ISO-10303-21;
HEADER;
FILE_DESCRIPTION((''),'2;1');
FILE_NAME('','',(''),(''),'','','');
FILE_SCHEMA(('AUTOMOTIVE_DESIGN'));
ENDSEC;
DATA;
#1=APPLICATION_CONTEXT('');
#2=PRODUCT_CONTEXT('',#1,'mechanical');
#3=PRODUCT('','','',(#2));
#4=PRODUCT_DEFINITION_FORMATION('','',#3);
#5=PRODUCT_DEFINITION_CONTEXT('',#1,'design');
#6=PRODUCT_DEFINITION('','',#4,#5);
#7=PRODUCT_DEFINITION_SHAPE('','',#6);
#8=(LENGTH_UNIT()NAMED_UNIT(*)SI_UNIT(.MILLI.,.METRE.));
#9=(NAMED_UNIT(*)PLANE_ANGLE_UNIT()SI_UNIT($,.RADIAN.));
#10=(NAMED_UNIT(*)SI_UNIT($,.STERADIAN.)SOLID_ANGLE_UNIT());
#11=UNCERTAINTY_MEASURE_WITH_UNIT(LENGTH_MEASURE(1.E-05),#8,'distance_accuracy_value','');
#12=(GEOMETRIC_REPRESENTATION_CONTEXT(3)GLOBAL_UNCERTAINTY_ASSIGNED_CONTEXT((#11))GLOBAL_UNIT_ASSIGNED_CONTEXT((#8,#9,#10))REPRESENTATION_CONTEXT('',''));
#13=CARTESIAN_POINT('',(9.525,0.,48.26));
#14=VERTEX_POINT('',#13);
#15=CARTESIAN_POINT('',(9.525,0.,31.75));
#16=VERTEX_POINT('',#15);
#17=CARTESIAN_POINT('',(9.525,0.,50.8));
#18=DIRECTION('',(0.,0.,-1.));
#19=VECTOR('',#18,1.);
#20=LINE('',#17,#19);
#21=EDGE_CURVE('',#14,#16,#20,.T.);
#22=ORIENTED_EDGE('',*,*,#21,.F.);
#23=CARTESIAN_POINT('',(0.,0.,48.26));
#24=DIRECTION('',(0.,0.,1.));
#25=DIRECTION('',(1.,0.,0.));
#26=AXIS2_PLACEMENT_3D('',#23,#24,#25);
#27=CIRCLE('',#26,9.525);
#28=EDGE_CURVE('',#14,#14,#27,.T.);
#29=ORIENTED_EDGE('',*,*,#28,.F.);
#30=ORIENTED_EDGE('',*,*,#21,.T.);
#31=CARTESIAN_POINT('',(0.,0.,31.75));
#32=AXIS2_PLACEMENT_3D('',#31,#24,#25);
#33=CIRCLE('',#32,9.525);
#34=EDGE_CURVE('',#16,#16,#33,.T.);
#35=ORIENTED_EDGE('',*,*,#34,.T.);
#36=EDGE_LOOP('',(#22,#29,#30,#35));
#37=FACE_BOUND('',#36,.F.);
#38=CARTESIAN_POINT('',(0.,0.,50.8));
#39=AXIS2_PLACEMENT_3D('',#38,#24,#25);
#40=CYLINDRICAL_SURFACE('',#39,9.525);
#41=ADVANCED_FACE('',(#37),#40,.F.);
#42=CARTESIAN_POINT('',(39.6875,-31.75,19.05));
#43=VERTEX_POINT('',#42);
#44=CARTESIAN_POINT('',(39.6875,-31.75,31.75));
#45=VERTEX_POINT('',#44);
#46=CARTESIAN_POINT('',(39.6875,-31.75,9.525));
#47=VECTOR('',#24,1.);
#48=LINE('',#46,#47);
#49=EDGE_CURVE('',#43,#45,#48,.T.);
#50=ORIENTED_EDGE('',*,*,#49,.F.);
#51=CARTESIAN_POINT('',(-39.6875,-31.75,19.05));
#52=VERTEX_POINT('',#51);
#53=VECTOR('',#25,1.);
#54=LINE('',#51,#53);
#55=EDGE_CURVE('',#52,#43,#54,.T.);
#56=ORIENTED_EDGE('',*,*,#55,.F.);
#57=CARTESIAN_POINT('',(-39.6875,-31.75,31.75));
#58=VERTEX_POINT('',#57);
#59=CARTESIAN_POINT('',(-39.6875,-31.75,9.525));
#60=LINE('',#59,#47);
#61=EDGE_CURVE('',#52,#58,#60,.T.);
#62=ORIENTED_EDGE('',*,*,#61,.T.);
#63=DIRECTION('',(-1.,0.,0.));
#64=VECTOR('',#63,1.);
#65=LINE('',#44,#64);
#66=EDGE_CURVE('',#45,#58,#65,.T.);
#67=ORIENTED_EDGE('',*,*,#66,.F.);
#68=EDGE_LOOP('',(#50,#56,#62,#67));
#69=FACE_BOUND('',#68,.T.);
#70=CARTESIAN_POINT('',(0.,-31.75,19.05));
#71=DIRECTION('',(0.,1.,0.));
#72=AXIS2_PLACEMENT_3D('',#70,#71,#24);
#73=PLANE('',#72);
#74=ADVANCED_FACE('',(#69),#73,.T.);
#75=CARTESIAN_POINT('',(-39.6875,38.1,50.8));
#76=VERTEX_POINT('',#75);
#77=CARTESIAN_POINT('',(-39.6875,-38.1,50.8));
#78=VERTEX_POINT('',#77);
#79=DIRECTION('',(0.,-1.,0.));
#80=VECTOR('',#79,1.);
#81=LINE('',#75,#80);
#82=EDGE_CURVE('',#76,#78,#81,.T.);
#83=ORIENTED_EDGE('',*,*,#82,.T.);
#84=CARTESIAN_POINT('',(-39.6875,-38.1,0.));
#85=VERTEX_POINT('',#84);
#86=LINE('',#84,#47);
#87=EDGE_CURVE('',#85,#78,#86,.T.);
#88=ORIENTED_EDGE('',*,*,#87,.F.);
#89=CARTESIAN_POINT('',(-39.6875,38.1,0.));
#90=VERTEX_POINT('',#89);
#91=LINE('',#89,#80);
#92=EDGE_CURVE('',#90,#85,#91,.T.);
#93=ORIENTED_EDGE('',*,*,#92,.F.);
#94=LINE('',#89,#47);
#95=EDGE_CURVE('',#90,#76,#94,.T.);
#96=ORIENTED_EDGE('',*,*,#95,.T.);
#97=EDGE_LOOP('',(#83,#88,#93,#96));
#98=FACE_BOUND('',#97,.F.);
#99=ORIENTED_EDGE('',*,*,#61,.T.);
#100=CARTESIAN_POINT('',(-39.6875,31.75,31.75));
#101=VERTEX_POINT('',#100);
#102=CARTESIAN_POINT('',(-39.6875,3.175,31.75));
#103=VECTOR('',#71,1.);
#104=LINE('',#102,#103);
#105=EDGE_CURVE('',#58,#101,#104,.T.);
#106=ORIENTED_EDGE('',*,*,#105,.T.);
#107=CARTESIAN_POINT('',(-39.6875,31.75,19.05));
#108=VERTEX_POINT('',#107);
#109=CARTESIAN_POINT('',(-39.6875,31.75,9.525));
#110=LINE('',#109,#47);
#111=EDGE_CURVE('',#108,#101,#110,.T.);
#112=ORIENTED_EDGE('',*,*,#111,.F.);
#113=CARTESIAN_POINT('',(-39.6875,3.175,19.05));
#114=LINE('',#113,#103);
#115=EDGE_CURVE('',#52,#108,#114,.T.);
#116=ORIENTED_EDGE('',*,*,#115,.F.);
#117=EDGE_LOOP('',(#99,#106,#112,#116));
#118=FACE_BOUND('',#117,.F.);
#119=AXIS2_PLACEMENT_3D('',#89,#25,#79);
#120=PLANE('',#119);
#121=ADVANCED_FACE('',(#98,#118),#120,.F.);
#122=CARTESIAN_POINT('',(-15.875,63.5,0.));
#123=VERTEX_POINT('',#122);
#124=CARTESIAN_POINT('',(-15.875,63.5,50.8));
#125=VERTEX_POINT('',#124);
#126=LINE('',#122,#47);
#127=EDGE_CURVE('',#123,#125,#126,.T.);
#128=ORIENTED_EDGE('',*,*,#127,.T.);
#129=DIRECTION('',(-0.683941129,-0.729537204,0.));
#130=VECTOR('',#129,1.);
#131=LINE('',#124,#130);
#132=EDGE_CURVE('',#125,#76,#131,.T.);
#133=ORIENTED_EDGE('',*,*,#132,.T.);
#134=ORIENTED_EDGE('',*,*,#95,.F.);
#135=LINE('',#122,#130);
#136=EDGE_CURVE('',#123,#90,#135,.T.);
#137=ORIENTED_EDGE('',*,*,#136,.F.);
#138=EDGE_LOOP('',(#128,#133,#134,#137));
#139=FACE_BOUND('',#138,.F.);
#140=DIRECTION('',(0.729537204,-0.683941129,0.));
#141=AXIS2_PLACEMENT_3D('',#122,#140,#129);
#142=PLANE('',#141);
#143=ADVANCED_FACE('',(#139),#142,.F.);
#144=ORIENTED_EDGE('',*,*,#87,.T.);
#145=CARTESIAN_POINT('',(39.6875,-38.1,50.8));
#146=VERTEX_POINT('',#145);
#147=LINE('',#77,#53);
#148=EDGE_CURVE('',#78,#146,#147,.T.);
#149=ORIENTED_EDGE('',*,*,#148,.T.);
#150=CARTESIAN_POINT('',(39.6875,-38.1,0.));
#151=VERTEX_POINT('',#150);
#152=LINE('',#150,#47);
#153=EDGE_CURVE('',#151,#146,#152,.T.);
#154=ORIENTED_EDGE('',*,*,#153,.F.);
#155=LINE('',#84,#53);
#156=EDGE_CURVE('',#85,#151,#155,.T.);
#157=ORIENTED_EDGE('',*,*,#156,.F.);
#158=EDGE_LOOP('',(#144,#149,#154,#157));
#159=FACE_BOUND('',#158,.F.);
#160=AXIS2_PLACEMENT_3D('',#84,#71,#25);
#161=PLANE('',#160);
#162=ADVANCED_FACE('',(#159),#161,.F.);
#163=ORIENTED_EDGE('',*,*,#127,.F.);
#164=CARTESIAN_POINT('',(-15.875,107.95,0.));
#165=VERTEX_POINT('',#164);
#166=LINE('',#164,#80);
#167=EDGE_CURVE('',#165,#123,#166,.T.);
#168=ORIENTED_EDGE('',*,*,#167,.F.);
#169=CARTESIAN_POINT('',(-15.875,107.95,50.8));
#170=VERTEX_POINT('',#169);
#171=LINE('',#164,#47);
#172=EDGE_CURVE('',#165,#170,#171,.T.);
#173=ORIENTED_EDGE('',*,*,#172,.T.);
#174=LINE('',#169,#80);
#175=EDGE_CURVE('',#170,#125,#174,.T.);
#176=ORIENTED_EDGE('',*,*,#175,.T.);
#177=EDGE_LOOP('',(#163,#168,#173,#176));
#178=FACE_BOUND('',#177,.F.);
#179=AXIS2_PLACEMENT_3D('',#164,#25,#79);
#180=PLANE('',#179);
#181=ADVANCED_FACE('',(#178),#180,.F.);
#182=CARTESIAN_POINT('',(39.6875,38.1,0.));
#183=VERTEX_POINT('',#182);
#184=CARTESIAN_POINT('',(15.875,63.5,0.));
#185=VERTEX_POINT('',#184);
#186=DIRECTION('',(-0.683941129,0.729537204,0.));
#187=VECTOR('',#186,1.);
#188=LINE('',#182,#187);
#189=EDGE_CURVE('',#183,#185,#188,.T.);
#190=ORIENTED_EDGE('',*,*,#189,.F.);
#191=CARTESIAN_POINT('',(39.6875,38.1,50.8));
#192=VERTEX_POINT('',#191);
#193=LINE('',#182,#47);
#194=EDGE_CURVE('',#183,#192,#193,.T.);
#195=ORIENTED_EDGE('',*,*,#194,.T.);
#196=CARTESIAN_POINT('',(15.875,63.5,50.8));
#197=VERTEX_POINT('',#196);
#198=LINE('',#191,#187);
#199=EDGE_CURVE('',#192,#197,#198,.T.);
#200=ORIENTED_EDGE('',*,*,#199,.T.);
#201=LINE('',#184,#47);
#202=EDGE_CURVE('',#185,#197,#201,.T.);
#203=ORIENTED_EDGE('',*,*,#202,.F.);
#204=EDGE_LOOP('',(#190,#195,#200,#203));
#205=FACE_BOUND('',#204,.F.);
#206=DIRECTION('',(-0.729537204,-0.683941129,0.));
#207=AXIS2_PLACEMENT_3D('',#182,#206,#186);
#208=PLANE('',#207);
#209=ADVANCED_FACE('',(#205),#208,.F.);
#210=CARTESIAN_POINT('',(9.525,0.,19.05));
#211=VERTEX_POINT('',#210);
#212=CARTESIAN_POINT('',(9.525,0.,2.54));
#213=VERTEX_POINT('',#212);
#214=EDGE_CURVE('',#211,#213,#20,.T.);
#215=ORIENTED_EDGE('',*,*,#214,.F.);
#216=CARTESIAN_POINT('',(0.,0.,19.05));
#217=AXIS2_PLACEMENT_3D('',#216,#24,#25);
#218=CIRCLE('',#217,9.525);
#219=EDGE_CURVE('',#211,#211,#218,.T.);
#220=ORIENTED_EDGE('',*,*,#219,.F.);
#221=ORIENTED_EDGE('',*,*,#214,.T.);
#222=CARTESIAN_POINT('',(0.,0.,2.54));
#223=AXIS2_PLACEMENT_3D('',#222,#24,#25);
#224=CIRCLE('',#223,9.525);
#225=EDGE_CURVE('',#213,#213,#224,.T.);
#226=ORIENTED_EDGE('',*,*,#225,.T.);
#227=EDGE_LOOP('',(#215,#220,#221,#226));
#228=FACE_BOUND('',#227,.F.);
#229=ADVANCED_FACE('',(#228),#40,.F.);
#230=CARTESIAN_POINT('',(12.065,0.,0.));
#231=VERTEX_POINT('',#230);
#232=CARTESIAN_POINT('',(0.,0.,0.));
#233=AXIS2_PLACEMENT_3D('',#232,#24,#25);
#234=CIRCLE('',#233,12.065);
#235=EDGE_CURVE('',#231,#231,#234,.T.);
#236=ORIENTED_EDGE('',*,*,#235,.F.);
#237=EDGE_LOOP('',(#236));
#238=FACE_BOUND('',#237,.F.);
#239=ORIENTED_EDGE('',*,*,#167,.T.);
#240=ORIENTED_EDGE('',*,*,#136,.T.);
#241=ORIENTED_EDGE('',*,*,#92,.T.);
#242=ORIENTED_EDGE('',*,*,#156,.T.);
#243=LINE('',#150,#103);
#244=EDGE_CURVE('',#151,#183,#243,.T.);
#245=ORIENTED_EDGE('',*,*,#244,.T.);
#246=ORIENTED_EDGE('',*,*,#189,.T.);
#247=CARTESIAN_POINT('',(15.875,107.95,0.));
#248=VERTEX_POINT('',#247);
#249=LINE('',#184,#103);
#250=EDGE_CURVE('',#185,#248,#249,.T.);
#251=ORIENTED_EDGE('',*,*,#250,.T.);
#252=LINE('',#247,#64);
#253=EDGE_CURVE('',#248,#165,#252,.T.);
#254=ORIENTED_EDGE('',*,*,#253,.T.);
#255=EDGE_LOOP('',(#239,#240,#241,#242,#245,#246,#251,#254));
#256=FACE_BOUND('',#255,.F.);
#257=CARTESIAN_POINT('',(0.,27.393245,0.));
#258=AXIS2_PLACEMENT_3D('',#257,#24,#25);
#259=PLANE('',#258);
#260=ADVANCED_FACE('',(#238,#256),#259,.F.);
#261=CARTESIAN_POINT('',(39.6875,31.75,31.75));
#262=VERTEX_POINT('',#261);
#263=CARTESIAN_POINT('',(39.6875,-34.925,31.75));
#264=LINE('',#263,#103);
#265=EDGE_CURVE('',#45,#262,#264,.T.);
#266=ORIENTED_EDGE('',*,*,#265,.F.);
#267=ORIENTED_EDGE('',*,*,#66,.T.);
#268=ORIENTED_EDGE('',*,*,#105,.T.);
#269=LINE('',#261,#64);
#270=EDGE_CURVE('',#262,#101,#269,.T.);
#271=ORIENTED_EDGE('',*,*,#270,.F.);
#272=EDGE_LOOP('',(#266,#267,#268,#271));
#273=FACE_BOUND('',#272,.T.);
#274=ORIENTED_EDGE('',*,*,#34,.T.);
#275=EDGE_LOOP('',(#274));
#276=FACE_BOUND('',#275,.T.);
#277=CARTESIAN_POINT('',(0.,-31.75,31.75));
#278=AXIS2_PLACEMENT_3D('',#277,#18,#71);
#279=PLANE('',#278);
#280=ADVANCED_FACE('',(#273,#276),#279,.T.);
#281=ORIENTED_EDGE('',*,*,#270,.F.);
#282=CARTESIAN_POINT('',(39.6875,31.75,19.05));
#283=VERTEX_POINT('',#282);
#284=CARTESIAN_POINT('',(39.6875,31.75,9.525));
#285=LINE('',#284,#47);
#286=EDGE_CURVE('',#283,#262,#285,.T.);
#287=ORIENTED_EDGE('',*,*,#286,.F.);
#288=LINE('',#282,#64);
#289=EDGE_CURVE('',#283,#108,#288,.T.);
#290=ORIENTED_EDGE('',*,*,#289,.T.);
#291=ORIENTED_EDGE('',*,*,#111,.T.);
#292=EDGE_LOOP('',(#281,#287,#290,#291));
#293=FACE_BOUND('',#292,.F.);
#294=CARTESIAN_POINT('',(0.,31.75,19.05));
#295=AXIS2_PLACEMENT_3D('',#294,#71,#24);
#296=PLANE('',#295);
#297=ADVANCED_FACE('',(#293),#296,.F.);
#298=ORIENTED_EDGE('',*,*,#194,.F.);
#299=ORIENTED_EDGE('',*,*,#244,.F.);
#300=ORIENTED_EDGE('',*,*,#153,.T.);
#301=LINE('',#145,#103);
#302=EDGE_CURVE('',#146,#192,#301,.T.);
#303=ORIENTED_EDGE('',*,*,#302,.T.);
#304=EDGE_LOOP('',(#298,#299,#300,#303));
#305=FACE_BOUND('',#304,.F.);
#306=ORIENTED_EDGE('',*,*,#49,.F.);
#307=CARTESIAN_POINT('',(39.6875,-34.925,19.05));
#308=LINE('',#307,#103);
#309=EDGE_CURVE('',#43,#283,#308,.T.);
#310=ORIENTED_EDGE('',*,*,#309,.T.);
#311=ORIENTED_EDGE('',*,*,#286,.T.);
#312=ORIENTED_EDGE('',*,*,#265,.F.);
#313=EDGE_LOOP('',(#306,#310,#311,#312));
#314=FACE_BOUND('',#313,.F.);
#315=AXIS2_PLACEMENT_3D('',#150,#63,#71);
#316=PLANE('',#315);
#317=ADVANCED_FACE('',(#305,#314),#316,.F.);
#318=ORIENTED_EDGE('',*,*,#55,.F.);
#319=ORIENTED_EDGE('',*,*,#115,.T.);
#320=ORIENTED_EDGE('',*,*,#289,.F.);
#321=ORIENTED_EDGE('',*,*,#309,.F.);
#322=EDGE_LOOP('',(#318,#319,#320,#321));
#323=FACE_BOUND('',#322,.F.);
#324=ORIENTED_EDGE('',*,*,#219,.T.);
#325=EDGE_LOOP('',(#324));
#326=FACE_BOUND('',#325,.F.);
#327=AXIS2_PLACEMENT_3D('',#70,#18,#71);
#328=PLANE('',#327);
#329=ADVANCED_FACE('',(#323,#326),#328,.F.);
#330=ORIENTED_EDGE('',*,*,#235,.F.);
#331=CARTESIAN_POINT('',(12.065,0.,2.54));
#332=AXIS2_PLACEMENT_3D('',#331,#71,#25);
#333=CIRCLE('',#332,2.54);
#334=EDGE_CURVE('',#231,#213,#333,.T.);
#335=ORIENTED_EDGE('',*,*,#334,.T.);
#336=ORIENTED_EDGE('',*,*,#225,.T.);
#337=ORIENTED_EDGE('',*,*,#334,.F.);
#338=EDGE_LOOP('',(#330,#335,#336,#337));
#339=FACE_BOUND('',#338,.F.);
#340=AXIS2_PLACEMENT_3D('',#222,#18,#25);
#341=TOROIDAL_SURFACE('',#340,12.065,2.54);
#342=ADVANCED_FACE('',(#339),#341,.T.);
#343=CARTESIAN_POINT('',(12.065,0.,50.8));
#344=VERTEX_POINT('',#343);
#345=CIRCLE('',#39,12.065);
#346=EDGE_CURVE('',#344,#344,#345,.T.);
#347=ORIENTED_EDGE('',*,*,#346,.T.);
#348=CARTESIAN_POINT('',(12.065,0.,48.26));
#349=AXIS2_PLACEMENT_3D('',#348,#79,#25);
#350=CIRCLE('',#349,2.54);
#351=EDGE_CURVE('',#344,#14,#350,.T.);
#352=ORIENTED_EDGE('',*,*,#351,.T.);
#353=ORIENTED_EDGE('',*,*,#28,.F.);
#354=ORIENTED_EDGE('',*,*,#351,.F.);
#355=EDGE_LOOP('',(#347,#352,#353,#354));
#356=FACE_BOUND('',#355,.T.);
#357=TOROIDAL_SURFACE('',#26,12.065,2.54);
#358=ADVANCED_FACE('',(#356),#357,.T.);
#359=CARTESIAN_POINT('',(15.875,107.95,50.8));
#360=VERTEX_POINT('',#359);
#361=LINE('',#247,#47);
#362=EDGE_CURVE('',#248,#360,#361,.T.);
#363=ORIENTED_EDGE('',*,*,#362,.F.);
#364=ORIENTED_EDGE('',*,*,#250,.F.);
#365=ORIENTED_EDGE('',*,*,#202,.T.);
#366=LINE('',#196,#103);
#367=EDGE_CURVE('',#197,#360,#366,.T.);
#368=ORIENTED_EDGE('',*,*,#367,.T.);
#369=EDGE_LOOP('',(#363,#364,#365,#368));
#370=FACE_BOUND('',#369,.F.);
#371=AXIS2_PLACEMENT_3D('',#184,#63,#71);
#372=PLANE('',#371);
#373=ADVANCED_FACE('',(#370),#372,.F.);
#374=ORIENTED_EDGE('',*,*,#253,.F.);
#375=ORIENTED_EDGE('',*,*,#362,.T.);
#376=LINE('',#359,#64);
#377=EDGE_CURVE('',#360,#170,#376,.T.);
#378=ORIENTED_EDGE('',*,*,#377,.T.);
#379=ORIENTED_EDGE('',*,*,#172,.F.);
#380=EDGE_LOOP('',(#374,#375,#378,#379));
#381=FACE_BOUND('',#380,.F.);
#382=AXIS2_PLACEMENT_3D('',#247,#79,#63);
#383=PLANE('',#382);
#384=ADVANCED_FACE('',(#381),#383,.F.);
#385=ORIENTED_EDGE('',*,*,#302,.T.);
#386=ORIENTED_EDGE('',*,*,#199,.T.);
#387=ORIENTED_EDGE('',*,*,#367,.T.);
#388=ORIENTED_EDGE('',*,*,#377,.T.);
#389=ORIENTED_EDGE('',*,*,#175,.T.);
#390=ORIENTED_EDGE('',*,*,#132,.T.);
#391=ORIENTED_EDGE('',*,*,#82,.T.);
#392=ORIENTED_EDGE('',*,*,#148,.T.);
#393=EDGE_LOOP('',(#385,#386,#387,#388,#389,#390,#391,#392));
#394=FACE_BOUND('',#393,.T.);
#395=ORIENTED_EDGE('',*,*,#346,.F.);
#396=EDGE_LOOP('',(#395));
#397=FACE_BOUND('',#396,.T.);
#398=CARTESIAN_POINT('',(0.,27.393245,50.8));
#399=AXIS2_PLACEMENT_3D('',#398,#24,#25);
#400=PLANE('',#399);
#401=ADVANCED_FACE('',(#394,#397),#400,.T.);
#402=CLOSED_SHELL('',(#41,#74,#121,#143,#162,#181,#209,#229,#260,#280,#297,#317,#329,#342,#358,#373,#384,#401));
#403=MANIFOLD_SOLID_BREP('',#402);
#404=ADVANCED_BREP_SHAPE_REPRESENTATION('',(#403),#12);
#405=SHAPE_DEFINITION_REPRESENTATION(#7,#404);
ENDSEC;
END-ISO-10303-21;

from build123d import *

# Parameters (mm, degrees)
F1_DEPTH      = 50.8
F2_R          = 9.525
F3_DEPTH      = 50.801
F4_R          = 2.54
F5_W          = 63.5
F5_H          = 12.7
F6_DEPTH      = 39.6885
F6_DEPTH_BACK = 39.6885


with BuildPart() as f1:
    # F0 (on Top) → F1 (new body)
    with BuildSketch(Plane.XY):
        Polygon((-39.6875, 38.1), (-39.6875, -38.1), (39.6875, -38.1), (39.6875, 38.1), (15.875, 63.5), (15.875, 107.95), (-15.875, 107.95), (-15.875, 63.5), align=None)
    extrude(amount=F1_DEPTH)

    # F2 (on face) → F3 (cut, through all)
    with BuildSketch(Plane.XY.offset(50.8)):
        Circle(F2_R)
    extrude(amount=-F3_DEPTH, mode=Mode.SUBTRACT)

    # F4
    f4_edges = [f1.edges().sort_by_distance(p)[0] for p in [
        (-9.525, 0, 0),
        (-9.525, 0, 50.8),
        (9.525, 0, 25.4),
    ]]
    fillet(f4_edges, radius=F4_R)

    # F5 (on Right) → F6 (cut, two sides)
    with BuildSketch(Plane.YZ) as f6_sk:
        with Locations((0, 25.4)):
            Rectangle(F5_W, F5_H)
    extrude(amount=-F6_DEPTH, mode=Mode.SUBTRACT)
    extrude(f6_sk.sketch, amount=F6_DEPTH_BACK, mode=Mode.SUBTRACT)


solid = f1.part
